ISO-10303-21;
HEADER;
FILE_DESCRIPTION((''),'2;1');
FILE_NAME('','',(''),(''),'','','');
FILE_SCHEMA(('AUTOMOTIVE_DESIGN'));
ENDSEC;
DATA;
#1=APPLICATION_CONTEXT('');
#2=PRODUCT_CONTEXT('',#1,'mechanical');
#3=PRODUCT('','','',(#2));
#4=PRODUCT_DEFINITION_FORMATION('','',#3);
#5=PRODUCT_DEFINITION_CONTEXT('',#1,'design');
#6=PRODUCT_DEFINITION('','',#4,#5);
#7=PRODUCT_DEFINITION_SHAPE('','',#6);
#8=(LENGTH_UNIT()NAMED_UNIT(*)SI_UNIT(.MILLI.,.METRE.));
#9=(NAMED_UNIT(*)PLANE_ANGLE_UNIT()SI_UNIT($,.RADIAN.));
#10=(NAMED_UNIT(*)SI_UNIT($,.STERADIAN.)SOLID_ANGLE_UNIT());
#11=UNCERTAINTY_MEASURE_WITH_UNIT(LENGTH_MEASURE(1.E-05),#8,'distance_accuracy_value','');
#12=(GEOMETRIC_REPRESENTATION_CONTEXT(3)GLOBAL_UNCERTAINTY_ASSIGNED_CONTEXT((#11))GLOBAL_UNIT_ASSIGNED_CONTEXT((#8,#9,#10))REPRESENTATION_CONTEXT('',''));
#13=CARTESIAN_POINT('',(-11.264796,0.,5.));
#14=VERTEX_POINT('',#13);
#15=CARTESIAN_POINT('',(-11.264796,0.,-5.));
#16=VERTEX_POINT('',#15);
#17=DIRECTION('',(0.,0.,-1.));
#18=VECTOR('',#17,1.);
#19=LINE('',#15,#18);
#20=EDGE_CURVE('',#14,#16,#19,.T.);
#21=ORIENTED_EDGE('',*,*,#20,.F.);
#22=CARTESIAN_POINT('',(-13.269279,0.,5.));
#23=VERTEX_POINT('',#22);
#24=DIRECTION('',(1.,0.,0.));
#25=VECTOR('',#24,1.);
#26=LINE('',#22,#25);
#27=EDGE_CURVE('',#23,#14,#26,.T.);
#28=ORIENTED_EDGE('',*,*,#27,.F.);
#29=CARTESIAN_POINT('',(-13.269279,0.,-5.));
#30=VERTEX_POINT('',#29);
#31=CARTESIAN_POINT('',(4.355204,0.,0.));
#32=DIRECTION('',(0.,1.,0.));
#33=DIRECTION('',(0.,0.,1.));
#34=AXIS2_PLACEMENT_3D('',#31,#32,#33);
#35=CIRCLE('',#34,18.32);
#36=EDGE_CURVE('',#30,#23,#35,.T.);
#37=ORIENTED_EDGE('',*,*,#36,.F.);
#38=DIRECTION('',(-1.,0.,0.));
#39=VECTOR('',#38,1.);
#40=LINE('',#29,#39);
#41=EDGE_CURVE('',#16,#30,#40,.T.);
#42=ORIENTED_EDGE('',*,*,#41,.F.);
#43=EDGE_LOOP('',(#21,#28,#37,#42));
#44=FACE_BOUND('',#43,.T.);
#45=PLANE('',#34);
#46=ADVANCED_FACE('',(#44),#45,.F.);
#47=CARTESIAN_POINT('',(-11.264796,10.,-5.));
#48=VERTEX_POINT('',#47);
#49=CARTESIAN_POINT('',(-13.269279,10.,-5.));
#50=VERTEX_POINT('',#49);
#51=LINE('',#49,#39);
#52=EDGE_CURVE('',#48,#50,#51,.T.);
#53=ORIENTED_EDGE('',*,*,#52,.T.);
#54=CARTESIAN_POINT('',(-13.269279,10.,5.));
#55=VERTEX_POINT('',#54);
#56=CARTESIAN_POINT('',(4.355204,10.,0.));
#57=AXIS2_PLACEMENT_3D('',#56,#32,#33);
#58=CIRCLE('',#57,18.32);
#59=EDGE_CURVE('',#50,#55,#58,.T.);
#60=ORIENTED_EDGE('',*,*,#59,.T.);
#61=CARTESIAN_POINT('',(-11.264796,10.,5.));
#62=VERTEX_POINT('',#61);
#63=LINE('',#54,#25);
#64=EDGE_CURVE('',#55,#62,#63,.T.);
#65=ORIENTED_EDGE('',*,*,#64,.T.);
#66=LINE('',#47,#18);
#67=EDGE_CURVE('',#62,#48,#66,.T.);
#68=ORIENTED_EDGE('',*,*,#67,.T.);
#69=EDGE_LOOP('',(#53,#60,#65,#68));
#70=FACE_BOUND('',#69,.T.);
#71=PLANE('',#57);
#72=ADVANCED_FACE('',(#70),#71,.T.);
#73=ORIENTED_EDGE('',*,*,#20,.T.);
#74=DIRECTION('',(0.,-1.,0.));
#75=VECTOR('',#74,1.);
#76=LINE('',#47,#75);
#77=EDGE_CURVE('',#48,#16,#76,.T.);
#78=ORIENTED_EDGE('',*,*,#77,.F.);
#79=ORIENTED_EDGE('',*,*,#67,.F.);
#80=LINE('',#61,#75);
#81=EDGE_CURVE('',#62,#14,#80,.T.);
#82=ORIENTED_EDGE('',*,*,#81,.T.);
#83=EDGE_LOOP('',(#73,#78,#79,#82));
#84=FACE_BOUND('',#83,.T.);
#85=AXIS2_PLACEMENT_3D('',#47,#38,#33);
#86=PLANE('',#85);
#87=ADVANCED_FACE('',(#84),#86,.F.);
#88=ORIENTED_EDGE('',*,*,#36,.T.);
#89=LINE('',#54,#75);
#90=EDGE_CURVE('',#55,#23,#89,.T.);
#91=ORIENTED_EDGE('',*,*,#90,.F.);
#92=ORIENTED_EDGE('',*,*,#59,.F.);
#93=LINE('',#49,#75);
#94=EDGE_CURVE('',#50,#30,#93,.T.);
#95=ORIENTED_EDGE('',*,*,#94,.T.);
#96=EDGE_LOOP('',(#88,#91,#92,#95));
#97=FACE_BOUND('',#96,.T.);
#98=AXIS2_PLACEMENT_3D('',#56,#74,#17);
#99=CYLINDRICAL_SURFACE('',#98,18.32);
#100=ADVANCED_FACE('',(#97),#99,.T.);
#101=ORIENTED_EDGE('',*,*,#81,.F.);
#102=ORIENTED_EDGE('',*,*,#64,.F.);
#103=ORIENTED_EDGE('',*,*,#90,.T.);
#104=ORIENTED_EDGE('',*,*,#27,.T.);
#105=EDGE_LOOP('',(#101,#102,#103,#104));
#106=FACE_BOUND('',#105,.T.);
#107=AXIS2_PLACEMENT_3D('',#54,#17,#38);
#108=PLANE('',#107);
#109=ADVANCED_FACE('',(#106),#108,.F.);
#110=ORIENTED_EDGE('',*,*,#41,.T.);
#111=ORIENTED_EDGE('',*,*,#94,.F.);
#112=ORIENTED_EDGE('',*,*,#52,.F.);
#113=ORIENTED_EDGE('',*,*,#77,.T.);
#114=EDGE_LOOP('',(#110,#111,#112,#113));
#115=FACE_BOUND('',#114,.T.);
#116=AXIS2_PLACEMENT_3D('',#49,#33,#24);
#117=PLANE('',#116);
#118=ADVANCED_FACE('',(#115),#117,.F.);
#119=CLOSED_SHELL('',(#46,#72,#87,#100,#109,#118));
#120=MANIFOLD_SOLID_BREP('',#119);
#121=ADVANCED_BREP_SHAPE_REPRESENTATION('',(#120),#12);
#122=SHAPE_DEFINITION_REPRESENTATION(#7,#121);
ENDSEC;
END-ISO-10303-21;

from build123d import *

# Parameters (mm, degrees)
EXTRUDE_1_DEPTH = 10


with BuildPart() as part:
    # 草图1 → 凸台-拉伸1 (new body)
    with BuildSketch(Plane(origin=(0, 0, 0), x_dir=(1, 0, 0), z_dir=(0, 1, 0))):
        with BuildLine():
            Line((-13.269278636, 5), (-11.264795665, 5))
            Line((-11.264795665, 5), (-11.264795665, -5))
            Line((-11.264795665, -5), (-13.269278636, -5))
            ThreePointArc((-13.269278636, -5), (-13.964795665, 0), (-13.269278636, 5))
        make_face()
    extrude(amount=EXTRUDE_1_DEPTH)


solid = part.part
